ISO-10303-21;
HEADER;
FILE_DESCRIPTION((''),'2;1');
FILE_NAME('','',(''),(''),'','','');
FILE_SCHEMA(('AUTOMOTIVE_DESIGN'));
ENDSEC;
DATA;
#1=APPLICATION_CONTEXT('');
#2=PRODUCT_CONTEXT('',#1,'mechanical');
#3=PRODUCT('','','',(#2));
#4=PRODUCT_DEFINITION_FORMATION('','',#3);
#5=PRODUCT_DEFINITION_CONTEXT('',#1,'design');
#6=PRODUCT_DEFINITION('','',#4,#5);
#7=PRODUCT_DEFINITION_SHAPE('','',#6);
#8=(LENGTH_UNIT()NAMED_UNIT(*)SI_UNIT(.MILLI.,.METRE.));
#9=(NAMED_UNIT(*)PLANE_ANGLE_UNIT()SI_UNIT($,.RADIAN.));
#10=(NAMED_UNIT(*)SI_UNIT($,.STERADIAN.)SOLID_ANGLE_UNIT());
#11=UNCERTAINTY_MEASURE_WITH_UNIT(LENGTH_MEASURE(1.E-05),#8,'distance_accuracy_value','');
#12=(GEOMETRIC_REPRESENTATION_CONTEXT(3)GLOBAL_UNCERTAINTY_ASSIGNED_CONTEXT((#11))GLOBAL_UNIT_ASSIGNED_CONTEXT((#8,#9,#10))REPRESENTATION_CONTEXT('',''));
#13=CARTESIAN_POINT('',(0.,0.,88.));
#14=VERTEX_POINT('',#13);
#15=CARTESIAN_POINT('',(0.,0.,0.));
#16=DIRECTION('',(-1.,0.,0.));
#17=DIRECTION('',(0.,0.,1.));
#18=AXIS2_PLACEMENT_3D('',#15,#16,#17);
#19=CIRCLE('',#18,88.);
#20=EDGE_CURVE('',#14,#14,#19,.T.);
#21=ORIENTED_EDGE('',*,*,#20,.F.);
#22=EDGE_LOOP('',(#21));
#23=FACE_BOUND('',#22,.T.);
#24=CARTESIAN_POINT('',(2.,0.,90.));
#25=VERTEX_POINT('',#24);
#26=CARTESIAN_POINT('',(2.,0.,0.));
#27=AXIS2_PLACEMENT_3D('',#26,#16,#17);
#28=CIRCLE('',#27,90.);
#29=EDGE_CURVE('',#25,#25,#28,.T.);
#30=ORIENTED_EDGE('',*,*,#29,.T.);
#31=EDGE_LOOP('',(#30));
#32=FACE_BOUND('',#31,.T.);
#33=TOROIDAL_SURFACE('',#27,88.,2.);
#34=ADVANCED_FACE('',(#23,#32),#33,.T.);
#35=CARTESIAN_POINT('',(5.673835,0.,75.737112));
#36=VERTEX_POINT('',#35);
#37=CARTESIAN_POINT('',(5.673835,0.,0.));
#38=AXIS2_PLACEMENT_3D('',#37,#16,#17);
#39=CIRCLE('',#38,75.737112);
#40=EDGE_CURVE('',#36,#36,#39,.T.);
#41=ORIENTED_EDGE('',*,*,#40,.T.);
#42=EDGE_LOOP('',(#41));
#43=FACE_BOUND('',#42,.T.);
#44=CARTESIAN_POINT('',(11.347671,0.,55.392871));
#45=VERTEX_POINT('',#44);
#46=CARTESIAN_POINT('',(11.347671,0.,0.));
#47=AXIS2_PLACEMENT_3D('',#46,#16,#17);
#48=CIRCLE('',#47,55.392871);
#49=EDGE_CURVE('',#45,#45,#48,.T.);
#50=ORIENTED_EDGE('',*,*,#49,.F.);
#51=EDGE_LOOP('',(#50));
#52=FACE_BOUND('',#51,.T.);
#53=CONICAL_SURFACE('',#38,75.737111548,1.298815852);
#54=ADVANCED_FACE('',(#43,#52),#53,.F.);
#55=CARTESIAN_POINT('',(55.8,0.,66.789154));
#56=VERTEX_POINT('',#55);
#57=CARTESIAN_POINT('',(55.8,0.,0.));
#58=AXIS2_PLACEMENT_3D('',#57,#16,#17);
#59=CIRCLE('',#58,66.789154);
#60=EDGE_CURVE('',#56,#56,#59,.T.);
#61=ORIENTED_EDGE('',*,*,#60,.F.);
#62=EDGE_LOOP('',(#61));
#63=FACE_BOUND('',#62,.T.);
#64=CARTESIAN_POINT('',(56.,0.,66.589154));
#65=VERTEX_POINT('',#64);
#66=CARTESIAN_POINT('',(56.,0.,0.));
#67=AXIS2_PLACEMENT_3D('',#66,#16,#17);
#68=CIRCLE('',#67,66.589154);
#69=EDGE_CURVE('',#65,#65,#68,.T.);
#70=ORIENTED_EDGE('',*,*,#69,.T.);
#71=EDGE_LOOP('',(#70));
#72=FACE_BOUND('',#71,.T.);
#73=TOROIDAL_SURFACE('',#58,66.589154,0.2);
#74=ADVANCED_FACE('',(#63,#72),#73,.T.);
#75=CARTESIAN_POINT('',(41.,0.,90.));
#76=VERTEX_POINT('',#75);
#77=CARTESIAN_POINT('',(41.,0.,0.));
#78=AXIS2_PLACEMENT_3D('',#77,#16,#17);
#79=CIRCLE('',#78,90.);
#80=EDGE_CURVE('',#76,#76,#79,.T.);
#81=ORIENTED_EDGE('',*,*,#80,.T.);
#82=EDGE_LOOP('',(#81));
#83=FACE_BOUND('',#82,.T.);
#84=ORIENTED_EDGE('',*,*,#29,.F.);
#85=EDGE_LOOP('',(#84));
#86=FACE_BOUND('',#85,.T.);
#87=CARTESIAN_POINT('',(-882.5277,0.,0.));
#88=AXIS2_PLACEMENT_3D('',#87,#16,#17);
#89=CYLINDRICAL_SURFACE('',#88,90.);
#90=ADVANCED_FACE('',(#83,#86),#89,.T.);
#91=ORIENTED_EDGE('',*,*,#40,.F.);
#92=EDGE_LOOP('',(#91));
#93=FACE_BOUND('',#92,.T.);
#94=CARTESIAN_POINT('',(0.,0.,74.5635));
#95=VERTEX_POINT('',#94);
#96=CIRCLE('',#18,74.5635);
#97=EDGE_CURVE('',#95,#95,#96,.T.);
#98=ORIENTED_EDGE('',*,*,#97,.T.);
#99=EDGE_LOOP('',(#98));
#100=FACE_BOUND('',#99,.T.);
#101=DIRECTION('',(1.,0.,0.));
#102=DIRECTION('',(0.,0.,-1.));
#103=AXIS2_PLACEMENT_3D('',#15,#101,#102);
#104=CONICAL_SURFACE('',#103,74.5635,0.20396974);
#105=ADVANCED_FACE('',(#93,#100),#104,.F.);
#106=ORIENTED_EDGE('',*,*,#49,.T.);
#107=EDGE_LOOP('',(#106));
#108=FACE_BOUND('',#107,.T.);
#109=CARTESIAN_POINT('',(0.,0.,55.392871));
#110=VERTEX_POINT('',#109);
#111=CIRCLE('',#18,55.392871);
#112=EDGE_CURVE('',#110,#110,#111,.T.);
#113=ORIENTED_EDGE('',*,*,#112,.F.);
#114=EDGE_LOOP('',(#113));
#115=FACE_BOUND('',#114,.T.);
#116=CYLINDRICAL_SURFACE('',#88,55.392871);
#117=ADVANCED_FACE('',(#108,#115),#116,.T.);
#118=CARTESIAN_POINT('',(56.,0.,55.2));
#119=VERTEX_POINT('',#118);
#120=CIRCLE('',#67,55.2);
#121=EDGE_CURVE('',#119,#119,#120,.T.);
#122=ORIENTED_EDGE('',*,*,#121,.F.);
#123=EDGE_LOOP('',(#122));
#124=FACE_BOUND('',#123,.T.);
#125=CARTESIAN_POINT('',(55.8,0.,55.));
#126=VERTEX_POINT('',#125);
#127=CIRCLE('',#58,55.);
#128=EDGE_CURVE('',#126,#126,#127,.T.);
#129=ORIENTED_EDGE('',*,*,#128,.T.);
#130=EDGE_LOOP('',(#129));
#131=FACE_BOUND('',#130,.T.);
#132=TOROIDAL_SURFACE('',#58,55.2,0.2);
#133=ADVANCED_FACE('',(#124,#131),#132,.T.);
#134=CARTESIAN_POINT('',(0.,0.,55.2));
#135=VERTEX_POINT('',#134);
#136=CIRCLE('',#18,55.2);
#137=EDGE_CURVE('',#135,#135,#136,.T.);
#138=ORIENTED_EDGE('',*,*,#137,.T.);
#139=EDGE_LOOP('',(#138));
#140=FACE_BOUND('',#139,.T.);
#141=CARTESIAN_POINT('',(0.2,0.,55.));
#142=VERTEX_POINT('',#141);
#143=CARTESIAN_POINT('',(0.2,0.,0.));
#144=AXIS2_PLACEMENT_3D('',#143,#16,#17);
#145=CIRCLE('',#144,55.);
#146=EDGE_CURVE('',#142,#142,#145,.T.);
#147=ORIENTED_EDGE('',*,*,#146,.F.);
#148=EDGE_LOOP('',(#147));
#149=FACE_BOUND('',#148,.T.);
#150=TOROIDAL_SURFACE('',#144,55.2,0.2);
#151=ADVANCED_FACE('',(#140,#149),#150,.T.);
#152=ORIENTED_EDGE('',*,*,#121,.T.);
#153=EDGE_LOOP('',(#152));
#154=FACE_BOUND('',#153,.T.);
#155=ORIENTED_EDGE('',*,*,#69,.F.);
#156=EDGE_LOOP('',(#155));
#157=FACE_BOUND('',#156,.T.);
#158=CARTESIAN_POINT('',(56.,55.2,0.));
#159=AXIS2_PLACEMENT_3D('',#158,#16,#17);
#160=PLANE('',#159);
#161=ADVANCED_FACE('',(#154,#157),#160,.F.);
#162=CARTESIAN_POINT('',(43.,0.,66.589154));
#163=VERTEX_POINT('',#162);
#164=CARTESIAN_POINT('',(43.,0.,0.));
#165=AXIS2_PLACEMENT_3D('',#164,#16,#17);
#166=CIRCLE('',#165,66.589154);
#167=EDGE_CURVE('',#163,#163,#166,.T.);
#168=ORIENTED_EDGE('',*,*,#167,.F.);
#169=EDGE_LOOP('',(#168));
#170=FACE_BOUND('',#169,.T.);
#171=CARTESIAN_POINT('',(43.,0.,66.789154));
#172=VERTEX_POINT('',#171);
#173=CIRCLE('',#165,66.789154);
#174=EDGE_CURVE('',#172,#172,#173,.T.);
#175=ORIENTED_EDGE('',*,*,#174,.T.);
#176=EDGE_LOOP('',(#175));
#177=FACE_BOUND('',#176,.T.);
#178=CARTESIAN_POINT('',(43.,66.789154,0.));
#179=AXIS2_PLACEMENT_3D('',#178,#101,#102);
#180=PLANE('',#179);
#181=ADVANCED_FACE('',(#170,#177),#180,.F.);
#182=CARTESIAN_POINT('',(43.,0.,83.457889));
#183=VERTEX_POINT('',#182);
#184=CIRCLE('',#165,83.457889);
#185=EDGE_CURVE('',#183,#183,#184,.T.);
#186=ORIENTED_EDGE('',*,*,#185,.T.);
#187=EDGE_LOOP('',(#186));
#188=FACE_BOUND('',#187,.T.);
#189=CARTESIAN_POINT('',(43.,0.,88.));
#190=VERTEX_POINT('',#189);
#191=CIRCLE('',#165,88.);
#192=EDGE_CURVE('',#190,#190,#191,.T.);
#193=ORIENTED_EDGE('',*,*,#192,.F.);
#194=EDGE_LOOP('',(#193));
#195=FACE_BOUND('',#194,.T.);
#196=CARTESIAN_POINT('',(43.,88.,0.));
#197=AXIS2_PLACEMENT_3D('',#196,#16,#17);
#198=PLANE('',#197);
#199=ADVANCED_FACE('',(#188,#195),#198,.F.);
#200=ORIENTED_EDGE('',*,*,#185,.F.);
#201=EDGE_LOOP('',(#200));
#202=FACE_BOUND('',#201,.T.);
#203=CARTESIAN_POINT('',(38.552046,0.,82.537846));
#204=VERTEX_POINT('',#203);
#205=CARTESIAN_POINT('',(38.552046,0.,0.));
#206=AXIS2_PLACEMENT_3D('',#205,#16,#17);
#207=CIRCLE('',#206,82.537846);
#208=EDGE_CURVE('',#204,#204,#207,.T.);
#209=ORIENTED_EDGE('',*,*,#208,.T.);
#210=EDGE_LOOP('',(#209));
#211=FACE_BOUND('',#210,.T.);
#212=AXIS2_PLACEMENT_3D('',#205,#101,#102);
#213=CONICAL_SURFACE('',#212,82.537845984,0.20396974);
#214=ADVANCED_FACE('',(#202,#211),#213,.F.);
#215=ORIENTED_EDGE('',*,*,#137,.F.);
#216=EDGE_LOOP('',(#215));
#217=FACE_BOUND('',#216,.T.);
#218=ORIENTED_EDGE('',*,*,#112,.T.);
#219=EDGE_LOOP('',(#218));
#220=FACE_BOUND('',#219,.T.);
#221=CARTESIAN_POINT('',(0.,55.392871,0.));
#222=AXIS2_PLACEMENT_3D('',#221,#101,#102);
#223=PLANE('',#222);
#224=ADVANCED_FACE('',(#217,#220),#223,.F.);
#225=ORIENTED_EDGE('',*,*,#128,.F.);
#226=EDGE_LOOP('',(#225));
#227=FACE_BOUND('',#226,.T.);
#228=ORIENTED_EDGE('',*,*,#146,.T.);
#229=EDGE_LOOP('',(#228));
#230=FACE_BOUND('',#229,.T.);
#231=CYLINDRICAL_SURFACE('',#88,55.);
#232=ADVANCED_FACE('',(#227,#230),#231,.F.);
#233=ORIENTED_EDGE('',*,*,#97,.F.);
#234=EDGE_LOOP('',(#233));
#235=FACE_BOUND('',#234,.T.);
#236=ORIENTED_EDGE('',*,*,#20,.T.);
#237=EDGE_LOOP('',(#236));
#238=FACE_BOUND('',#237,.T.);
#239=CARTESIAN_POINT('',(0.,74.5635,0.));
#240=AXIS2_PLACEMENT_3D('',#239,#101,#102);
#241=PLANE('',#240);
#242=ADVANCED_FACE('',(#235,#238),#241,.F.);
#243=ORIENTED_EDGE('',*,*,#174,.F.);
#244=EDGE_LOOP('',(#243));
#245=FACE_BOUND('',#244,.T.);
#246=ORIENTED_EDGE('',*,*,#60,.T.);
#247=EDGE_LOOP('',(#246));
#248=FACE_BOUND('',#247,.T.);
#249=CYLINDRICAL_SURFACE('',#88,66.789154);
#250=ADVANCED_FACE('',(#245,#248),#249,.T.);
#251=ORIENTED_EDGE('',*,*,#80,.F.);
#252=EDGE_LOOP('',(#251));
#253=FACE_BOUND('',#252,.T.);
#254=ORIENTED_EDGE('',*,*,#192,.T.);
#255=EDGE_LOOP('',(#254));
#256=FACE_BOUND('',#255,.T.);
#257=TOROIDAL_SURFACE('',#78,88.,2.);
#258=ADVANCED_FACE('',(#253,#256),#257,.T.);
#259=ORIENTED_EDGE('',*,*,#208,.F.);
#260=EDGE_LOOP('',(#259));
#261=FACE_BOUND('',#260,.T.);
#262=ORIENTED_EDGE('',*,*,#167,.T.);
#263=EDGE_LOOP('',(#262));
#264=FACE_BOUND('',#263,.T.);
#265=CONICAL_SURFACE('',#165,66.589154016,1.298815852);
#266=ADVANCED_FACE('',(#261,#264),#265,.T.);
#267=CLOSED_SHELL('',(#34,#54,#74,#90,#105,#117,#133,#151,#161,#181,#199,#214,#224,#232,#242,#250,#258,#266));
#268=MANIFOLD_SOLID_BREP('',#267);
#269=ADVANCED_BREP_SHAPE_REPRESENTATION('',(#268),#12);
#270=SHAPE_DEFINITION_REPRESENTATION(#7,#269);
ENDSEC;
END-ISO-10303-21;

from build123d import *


with BuildPart() as part:
    # Эскиз1 → Повернуть1 (revolve)
    with BuildSketch(Plane.XY):
        with BuildLine():
            Line((5.673835343, 75.737111548), (0, 74.5635))
            Line((0, 74.5635), (0, 88))
            ThreePointArc((0, 88), (0.585786438, 89.414213562), (2, 90))
            Line((2, 90), (41, 90))
            ThreePointArc((41, 90), (42.414213562, 89.414213562), (43, 88))
            Line((43, 88), (43, 83.457888633))
            Line((43, 83.457888633), (38.55204573, 82.537845984))
            Line((38.55204573, 82.537845984), (43, 66.589154016))
            Line((43, 66.589154016), (43, 66.789154016))
            Line((43, 66.789154016), (55.8, 66.789154016))
            ThreePointArc((55.8, 66.789154016), (55.941421356, 66.730575372), (56, 66.589154016))
            Line((56, 66.589154016), (56, 55.2))
            ThreePointArc((56, 55.2), (55.941421356, 55.058578644), (55.8, 55))
            Line((55.8, 55), (0.2, 55))
            ThreePointArc((0.2, 55), (0.058578644, 55.058578644), (0, 55.2))
            Line((0, 55.2), (0, 55.392870878))
            Line((0, 55.392870878), (11.347670687, 55.392870878))
            Line((11.347670687, 55.392870878), (5.673835343, 75.737111548))
        make_face()
    revolve(axis=Axis((-882.527700014, 0, 0), (1, 0, 0)))


solid = part.part
